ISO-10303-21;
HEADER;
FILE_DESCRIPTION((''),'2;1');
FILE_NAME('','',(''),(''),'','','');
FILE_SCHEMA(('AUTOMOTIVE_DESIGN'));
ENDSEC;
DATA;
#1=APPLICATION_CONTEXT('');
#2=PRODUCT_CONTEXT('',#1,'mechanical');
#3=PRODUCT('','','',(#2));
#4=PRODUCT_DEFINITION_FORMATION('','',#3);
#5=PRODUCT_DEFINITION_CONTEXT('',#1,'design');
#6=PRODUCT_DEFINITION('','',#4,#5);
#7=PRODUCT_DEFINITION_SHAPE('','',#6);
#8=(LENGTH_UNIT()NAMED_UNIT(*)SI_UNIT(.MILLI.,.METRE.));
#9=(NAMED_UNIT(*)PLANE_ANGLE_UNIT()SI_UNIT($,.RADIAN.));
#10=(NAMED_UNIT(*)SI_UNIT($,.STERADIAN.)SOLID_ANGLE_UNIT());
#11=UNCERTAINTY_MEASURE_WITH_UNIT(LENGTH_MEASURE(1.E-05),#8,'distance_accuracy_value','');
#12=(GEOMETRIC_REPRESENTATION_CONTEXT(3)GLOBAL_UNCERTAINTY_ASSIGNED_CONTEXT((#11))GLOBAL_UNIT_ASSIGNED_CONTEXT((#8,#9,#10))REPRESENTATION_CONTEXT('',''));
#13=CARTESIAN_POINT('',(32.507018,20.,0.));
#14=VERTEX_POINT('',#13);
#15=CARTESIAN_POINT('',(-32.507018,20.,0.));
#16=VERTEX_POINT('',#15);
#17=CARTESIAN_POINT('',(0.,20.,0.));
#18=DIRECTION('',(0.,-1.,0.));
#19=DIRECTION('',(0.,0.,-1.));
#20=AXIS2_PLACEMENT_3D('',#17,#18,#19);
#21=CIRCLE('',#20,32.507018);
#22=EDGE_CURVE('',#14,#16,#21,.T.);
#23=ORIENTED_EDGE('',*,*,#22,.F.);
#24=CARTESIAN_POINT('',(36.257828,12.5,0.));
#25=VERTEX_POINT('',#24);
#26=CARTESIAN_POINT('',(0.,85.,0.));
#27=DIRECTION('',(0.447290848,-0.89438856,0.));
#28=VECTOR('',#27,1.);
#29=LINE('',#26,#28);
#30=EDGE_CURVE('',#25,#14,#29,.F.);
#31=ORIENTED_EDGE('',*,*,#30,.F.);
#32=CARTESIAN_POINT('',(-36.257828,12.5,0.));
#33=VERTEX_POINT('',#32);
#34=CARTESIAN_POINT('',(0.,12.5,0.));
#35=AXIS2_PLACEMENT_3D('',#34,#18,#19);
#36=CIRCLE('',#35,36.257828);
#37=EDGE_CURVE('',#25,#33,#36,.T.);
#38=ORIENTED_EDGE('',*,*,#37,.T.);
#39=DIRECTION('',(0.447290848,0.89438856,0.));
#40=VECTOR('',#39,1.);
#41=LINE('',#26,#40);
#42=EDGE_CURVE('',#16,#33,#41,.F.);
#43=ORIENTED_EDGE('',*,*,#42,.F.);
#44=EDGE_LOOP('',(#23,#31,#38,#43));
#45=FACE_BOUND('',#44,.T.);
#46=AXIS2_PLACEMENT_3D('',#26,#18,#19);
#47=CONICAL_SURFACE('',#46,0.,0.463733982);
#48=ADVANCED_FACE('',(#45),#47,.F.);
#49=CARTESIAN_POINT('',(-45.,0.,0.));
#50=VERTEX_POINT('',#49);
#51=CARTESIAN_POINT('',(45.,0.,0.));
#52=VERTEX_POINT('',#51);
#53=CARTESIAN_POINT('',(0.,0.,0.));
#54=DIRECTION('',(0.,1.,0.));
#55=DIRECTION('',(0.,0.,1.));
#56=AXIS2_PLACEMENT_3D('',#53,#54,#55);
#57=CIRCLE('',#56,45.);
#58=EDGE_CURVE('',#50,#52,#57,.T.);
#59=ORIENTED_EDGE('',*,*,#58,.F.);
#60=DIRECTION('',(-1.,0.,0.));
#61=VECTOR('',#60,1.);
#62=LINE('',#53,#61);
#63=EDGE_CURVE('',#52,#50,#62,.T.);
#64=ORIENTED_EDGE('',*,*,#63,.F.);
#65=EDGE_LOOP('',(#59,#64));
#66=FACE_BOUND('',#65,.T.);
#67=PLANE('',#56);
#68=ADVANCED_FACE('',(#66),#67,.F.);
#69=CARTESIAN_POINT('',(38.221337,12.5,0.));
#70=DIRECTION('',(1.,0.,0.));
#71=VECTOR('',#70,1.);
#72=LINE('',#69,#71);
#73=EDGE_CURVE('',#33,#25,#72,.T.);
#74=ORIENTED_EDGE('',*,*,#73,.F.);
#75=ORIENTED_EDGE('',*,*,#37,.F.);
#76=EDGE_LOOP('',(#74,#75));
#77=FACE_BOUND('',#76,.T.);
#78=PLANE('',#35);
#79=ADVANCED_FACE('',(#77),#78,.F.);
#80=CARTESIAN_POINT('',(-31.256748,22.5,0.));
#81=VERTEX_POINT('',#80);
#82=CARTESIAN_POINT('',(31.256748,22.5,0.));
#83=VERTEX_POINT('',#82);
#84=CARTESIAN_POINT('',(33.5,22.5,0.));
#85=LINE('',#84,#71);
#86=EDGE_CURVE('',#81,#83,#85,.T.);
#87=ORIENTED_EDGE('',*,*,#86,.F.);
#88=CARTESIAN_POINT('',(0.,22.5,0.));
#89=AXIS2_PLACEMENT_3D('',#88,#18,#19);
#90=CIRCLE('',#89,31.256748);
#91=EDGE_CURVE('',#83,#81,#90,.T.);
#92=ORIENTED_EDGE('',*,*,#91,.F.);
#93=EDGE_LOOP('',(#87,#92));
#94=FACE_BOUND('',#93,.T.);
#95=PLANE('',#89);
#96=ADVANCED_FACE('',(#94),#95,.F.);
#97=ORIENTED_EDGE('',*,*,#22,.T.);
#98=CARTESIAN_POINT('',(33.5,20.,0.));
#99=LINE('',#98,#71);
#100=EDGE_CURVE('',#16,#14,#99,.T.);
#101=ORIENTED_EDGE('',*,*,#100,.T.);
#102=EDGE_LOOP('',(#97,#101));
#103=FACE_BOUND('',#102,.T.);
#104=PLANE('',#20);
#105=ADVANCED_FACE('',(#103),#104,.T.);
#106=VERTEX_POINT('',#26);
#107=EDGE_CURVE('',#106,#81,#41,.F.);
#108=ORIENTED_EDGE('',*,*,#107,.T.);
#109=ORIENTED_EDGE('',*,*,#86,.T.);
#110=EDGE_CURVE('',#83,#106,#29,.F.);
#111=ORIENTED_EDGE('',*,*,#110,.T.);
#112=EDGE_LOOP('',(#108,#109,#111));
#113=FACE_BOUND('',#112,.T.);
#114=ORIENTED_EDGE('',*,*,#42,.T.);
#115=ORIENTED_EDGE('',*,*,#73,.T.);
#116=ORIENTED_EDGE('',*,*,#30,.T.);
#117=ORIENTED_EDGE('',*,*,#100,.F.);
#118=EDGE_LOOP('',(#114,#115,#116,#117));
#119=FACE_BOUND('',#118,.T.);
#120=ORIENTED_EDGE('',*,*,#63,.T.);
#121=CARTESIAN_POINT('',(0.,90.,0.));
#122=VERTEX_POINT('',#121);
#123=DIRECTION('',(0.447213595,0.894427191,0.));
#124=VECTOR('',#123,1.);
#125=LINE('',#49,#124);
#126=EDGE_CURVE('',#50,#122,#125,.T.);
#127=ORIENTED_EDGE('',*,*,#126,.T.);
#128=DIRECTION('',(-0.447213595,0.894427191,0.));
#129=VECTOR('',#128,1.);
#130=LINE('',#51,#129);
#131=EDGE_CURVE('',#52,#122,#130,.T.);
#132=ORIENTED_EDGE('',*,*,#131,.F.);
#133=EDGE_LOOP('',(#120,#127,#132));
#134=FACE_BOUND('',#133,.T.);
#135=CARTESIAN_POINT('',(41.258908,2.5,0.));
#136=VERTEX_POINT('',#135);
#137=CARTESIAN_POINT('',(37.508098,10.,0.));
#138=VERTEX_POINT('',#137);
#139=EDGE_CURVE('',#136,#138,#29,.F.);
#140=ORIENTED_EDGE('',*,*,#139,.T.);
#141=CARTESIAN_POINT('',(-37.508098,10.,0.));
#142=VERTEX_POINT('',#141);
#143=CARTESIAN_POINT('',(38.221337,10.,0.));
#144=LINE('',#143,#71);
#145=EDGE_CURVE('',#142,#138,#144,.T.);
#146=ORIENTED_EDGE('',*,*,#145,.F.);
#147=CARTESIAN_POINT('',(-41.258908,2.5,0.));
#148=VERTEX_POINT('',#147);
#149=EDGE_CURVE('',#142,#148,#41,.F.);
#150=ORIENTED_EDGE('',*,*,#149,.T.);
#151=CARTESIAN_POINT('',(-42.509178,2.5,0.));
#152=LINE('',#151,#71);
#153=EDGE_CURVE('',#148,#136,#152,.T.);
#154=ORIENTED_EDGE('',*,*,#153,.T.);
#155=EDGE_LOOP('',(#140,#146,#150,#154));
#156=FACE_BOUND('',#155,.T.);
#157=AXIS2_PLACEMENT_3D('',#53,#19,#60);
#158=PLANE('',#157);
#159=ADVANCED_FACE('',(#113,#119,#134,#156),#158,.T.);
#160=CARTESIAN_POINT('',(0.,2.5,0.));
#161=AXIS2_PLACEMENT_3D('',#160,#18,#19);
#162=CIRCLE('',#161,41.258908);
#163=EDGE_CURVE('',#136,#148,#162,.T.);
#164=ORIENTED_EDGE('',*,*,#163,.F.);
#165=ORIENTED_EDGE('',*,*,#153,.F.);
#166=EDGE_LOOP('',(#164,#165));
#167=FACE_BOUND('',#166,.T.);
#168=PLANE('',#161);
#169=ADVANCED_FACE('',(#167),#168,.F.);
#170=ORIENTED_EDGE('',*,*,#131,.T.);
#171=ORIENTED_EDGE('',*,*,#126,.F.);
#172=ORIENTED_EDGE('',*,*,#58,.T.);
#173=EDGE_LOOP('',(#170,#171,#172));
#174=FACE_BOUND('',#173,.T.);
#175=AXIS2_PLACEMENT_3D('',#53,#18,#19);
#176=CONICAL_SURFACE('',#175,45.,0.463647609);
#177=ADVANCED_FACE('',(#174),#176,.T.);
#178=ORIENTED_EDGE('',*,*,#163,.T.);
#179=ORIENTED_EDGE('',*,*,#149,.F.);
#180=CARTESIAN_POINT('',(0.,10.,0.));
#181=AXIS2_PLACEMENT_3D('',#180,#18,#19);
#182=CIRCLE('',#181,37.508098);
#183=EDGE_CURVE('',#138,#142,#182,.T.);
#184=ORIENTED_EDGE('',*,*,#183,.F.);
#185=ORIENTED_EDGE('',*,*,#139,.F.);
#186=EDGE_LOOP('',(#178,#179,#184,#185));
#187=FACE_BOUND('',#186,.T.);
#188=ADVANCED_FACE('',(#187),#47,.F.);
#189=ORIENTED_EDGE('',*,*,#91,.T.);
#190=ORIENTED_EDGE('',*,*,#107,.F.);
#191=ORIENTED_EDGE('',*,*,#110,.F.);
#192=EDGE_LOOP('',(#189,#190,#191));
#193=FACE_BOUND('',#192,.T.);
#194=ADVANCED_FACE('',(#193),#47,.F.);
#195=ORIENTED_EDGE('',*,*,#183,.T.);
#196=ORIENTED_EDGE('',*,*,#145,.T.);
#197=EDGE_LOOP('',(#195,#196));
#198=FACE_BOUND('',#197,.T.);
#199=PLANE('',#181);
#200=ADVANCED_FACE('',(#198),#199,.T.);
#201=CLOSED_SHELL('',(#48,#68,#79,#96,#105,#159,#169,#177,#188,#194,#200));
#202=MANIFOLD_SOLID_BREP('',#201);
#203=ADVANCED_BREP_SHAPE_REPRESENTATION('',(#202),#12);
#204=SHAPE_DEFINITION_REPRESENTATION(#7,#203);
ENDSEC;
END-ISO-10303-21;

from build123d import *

# Parameters (mm, degrees)
REVOLVE1_ANGLE      = 180
BOSS_EXTRUDE1_DEPTH = 2.5
BOSS_EXTRUDE2_DEPTH = 2.5
BOSS_EXTRUDE3_DEPTH = 2.5


with BuildPart() as part:
    # Sketch1 → Revolve1 (revolve)
    with BuildSketch(Plane.XY):
        Polygon((0, 0), (45, 0), (0, 90), align=None)
    revolve(axis=Axis((0, 90, 0), (0, -1, 0)), revolution_arc=REVOLVE1_ANGLE)

    # Sketch2 → Cut-Revolve1 (revolve, cut)
    with BuildSketch(Plane(origin=(0, 0, 0), x_dir=(-1, 0, 0), z_dir=(0, 0, -1))):
        Polygon((0, 0), (0, 85), (-42.509177555, 0), align=None)
    revolve(axis=Axis((0, 0, 0), (0, 1, 0)), mode=Mode.SUBTRACT)

    # Sketch3 → Boss-Extrude1 (add)
    with BuildSketch(Plane(origin=(0, 0, 0), x_dir=(-1, 0, 0), z_dir=(0, -1, 0))):
        with BuildLine():
            Line((42.509177555, 0), (-42.509177555, 0))
            ThreePointArc((-42.509177555, 0), (0, -42.509177555), (42.509177555, 0))
        make_face()
    extrude(amount=-BOSS_EXTRUDE1_DEPTH)

    # Sketch4 → Boss-Extrude2 (add)
    with BuildSketch(Plane(origin=(0, 10, 0), x_dir=(-1, 0, 0), z_dir=(0, -1, 0))):
        with BuildLine():
            Line((-38.221336586, 0), (38.221336586, 0))
            ThreePointArc((38.221336586, 0), (0, -38.221336586), (-38.221336586, 0))
        make_face()
    extrude(amount=-BOSS_EXTRUDE2_DEPTH)

    # Sketch5 → Boss-Extrude3 (add)
    with BuildSketch(Plane(origin=(0, 20, 0), x_dir=(-1, 0, 0), z_dir=(0, -1, 0))):
        with BuildLine():
            Line((-33.5, 0), (33.5, 0))
            ThreePointArc((33.5, 0), (0, -33.5), (-33.5, 0))
        make_face()
    extrude(amount=-BOSS_EXTRUDE3_DEPTH)


solid = part.part
